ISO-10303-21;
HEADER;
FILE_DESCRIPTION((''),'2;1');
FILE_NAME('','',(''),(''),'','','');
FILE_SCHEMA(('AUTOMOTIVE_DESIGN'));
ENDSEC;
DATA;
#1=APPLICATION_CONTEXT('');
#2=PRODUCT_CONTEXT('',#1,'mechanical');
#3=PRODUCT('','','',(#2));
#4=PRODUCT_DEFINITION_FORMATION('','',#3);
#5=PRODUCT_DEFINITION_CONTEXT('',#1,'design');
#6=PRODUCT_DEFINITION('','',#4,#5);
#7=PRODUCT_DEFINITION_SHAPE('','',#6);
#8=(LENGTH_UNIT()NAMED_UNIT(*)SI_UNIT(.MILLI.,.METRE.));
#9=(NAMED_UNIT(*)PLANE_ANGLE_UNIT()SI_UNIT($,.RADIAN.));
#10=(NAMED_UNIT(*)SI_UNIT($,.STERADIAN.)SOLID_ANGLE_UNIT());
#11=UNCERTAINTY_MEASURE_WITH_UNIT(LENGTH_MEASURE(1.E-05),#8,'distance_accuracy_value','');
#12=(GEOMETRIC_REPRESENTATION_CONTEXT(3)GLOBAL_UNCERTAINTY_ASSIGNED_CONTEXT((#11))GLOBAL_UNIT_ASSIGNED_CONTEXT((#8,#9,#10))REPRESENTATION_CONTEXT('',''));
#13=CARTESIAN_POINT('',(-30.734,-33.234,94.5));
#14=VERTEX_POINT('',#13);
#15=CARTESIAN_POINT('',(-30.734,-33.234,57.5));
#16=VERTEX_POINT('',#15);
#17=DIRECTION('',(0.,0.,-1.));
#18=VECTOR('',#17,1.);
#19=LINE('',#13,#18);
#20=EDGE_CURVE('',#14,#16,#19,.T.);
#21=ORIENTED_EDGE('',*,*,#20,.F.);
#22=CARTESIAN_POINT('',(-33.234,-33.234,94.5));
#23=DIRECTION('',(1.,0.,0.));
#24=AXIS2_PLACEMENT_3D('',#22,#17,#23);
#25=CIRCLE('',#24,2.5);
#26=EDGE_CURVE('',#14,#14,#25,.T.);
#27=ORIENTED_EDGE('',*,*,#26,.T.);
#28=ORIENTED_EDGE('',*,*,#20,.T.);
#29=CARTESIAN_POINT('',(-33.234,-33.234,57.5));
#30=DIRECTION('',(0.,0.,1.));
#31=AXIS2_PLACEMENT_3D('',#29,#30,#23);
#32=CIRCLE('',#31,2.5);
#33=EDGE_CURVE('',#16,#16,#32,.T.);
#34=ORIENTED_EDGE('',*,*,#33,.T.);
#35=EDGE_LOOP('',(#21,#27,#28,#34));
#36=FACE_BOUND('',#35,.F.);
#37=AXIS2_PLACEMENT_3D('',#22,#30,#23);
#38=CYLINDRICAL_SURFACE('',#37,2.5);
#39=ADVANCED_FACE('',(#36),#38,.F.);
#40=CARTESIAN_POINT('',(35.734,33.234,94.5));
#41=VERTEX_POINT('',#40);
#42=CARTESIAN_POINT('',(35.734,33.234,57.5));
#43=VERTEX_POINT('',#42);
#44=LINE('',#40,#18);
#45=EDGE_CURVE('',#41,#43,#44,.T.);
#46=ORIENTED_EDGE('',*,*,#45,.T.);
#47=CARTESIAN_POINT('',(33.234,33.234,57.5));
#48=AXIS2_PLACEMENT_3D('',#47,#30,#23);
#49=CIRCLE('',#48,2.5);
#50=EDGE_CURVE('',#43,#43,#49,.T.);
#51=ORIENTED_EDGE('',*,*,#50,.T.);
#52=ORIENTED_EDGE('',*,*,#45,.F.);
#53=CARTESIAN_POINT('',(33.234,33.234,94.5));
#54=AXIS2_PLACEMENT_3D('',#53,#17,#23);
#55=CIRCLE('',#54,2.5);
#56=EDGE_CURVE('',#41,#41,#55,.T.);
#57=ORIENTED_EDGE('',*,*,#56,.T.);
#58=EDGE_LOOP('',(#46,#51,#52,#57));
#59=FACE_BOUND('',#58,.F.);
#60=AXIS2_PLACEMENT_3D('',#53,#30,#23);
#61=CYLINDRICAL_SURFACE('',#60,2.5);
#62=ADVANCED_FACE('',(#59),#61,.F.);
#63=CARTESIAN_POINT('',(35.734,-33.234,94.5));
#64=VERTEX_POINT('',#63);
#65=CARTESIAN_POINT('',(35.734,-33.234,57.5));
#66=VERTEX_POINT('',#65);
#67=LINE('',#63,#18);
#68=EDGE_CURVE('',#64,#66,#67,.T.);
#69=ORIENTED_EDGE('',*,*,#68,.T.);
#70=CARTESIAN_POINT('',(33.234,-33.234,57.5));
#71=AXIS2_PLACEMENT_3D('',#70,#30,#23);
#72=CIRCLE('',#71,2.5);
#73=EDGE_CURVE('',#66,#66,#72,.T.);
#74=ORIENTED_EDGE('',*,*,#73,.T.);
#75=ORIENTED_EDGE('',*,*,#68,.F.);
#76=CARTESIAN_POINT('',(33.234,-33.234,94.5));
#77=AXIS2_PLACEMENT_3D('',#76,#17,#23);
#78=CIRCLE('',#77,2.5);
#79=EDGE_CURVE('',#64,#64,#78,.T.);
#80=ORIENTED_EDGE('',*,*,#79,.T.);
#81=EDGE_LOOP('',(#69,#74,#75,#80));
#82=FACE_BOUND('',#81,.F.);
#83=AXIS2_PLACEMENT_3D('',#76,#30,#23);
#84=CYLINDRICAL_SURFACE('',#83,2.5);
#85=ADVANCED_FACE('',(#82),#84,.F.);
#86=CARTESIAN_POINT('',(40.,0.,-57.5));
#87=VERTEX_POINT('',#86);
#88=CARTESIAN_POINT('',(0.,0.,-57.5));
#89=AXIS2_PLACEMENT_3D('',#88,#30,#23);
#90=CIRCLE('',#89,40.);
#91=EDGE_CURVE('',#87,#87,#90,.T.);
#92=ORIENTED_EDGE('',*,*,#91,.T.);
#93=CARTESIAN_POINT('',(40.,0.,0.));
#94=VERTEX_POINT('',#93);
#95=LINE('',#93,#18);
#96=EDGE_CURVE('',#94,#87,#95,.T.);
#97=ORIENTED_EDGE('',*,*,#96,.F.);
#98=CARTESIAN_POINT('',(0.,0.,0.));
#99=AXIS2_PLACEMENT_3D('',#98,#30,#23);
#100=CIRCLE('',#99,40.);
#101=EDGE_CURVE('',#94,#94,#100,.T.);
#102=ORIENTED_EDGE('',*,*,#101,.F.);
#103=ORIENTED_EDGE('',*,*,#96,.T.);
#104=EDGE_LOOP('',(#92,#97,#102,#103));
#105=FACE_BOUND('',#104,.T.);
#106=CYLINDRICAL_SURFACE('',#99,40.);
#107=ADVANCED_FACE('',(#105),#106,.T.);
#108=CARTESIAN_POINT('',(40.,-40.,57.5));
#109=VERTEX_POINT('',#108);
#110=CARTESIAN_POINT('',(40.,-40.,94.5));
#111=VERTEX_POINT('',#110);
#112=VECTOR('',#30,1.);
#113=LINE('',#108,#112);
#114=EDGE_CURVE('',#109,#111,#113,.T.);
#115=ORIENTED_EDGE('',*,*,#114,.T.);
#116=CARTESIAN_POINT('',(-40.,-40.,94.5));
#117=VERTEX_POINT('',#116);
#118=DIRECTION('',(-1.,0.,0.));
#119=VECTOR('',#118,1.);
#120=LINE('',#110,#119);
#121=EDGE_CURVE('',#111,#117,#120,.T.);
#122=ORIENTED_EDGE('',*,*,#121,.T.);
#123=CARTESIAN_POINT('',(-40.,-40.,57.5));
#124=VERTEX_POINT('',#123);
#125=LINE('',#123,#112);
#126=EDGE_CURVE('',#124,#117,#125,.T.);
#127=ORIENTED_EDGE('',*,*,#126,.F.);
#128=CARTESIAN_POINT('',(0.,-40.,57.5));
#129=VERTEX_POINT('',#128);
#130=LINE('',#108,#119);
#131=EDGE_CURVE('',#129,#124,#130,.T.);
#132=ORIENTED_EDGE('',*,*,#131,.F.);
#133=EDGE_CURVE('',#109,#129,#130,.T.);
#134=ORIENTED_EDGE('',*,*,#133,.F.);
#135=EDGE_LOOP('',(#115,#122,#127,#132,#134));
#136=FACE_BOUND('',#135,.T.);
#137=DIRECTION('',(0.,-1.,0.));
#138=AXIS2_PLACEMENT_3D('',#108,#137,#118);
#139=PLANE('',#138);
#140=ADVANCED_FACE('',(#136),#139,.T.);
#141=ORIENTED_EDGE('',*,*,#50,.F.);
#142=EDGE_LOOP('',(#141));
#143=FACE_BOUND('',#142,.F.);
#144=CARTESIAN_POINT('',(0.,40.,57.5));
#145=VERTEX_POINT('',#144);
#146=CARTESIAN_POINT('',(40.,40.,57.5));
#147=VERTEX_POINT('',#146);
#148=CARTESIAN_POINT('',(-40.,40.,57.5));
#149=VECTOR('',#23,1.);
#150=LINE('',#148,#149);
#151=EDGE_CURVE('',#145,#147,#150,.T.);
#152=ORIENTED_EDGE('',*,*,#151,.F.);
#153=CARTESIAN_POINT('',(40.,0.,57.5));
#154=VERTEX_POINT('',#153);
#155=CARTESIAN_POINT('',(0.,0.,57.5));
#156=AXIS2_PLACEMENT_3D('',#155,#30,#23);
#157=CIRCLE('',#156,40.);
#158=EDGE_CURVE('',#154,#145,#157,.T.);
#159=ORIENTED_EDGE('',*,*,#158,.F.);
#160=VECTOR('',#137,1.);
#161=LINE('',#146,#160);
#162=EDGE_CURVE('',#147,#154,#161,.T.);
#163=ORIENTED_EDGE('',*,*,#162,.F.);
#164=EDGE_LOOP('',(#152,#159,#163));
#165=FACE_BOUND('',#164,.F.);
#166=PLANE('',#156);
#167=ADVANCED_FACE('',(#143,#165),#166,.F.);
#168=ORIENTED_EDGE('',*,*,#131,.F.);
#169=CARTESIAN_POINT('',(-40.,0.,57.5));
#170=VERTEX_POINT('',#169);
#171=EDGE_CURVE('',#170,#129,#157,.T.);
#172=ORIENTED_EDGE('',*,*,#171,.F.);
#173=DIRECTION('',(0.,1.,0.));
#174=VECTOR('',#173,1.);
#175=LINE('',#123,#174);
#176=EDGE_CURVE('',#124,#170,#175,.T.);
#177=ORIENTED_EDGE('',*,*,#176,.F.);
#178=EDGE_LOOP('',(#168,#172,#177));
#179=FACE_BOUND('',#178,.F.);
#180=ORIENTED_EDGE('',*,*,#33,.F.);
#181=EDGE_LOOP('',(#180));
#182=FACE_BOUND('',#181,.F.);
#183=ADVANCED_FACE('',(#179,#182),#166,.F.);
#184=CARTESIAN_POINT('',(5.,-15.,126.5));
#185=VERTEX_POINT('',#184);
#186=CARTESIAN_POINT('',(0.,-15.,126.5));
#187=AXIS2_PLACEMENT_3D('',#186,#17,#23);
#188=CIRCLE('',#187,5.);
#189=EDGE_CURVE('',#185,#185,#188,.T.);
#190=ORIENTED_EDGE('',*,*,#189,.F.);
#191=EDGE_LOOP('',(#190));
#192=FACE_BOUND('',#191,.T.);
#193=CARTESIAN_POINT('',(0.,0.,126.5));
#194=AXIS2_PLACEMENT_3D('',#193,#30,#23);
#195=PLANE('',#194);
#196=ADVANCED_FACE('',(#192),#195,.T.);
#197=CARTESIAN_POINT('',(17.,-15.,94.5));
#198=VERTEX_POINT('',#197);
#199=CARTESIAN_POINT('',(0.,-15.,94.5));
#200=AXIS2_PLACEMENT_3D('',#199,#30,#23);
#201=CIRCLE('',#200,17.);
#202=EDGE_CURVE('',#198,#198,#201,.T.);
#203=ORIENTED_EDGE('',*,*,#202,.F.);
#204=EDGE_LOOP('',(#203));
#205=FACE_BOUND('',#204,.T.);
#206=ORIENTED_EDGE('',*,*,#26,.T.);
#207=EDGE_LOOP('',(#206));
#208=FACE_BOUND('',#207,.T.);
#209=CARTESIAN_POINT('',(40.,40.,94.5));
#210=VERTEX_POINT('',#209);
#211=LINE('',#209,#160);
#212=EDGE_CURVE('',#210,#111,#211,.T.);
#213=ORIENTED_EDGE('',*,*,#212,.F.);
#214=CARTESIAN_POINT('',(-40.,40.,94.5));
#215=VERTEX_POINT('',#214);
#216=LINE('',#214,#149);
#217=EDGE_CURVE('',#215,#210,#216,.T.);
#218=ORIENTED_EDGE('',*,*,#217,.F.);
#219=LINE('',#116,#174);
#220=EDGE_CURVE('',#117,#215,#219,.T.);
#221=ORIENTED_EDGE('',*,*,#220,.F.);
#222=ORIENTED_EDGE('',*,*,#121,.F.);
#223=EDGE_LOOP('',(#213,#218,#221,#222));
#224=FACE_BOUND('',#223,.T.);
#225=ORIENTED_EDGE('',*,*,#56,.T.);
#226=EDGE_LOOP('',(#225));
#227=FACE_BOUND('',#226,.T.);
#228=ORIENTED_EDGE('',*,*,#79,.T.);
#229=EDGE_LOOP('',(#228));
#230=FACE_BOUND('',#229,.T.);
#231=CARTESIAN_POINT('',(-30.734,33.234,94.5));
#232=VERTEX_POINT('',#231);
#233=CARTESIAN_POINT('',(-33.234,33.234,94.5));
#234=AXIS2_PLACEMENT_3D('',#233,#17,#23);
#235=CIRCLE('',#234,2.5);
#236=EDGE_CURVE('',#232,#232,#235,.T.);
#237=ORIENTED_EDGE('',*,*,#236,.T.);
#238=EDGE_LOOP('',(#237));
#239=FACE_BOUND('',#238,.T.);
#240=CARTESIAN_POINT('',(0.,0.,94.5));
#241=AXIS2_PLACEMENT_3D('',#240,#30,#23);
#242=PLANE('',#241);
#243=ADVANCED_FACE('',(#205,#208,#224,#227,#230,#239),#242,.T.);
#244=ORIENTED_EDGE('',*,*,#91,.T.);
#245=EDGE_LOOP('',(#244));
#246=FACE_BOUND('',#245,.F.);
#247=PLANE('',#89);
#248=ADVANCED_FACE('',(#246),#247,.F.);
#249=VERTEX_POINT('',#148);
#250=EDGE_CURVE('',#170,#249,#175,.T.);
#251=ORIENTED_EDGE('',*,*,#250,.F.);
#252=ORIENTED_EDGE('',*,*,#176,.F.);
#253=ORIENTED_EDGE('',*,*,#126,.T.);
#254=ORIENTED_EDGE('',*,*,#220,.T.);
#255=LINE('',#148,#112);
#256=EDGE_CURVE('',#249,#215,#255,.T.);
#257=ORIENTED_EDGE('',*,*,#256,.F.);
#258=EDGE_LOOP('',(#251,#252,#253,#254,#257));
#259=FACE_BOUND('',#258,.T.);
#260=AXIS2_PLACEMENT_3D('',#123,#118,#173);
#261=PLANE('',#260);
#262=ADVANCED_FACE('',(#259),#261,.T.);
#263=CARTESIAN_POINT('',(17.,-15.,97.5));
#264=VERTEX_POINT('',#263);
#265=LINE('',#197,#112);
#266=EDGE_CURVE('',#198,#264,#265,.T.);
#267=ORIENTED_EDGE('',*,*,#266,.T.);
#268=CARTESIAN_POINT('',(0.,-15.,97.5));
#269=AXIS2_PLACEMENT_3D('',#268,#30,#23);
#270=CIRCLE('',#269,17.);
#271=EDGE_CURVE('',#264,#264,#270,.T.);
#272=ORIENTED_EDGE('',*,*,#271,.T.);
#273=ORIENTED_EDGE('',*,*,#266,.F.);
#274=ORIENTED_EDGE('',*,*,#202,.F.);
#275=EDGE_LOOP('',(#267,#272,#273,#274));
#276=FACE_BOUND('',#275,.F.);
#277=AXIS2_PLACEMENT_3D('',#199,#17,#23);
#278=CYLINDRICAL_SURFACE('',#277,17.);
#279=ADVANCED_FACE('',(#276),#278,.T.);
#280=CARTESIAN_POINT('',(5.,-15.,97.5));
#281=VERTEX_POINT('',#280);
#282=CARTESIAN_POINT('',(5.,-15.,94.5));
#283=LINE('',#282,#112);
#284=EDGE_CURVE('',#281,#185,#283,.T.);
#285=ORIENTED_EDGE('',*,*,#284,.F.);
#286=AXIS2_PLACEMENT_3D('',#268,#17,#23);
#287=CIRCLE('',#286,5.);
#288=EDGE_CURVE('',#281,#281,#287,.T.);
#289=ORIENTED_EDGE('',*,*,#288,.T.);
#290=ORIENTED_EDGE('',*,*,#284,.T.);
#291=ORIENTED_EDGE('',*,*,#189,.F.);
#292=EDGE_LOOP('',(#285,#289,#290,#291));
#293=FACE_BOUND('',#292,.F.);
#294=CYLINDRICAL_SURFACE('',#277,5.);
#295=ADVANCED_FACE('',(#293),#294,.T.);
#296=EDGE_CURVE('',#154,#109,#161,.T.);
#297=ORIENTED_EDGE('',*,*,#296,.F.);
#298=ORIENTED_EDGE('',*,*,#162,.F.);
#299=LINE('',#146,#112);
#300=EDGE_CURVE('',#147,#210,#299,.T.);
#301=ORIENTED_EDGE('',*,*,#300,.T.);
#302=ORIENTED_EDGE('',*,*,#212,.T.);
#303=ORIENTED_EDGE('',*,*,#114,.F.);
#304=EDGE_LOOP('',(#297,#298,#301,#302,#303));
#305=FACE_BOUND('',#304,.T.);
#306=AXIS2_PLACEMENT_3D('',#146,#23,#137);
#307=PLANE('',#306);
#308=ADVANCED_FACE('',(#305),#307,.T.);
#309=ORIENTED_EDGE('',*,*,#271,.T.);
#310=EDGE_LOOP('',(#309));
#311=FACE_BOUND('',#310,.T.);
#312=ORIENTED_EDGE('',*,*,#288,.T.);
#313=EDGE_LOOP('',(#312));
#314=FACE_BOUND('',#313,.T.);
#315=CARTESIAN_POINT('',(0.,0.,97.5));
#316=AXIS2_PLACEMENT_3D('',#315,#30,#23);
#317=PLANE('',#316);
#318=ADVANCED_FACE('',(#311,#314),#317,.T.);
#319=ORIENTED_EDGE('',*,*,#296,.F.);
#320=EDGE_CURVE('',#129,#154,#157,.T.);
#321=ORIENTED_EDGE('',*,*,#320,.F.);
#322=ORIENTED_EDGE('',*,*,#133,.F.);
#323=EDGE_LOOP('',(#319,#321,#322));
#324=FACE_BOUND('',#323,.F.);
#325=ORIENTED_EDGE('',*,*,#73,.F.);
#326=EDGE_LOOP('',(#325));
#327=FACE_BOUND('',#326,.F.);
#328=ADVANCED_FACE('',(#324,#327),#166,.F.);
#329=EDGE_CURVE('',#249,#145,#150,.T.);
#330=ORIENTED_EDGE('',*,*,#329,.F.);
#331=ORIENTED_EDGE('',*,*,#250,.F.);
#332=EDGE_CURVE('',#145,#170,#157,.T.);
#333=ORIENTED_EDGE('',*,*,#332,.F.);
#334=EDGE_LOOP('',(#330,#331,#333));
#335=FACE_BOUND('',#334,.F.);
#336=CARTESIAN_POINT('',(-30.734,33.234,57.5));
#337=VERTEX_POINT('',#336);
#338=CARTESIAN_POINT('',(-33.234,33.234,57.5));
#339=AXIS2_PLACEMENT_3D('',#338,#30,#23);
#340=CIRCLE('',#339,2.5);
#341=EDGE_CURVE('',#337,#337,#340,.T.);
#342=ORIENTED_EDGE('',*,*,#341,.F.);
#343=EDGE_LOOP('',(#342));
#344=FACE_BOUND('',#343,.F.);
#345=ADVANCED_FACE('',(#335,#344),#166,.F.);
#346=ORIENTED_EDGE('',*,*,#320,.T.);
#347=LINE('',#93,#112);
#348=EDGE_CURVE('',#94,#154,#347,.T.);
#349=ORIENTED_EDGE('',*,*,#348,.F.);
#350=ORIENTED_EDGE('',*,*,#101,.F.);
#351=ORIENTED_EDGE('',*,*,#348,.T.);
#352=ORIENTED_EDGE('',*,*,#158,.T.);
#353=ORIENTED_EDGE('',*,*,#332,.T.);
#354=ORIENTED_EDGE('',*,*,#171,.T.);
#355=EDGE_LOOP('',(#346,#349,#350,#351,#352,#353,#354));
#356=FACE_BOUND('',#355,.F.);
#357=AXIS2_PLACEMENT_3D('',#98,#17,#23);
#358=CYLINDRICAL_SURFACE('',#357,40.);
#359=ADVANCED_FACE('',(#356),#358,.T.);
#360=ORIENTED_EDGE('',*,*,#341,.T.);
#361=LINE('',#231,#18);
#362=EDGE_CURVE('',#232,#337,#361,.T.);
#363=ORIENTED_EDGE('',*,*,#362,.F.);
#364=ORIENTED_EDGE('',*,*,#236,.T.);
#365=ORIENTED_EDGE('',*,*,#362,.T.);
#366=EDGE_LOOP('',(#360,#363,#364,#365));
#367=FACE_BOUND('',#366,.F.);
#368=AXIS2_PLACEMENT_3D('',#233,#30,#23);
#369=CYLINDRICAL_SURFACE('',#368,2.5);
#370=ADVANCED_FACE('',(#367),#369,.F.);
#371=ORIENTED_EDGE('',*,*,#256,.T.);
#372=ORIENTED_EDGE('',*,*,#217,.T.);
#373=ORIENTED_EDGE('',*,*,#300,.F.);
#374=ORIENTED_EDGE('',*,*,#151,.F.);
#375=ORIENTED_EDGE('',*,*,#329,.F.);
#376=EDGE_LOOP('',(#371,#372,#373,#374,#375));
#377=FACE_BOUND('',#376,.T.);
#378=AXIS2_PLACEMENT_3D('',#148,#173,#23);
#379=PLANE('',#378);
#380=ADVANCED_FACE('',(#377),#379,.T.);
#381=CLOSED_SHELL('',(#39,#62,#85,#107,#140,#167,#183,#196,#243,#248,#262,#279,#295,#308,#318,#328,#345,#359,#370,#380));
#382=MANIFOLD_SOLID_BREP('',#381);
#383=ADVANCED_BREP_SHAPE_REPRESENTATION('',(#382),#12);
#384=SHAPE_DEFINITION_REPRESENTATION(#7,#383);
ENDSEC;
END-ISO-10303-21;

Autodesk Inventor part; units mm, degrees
ref_plane "YZ Plane" through (0, 0, 0) normal (1, 0, 0) x (0, 1, 0)
ref_plane "XZ Plane" through (0, 0, 0) normal (0, 1, 0) x (-1, 0, 0)
ref_plane "XY Plane" through (0, 0, 0) normal (0, 0, 1) x (1, 0, 0)
sketch "Sketch1" plane through (0, 0, 0) normal (0, 0, 1) x (1, 0, 0)
  circle A0 centre (0, 0) radius 40
  dimension "d0" = 80
extrude "Extrusion1" add sketch "Sketch1" along normal mid plane 115
sketch "Sketch3" plane through (0, 0, 57.5) normal (0, 0, 1) x (1, 0, 0)
  line L0 (-40, 40) -> (40, 40)
  line L1 (40, 40) -> (40, -40)
  line L2 (40, -40) -> (-40, -40)
  line L3 (-40, -40) -> (-40, 40)
  line L4 (-40, 40) -> (40, -40) construction
  line L5 (40, 40) -> (-40, -40) construction
  point P0 (0, 0)
  dimension "d9" = 80
  dimension "d10" = 80
extrude "Extrusion3" add sketch "Sketch3" along normal blind 37
sketch "Sketch4" plane through (0, 0, 94.5) normal (0, 0, 1) x (1, 0, 0)
  line L0 (0, 0) -> (0, -15)
  circle A0 centre (0, -15) radius 5
  dimension "d11" = 15
  dimension "d12" = 10
extrude "Extrusion4" add sketch "Sketch4" along normal blind 32
sketch "Sketch5" plane through (0, 0, 94.5) normal (0, 0, 1) x (1, 0, 0)
  circle A0 centre (0, -15) radius 17
  point P0 (0, 0)
  dimension "d15" = 34
extrude "Extrusion5" add sketch "Sketch5" along normal blind 3
sketch "Sketch6" plane through (0, 0, 94.5) normal (0, 0, 1) x (1, 0, 0)
  circle A0 centre (0, 0) radius 47
  line L0 (40, 0) -> (40, 40) projected
  line L1 (-40, 0) -> (-40, -40) projected
  line L2 (40, 40) -> (-40, -40)
  line L3 (-40, -40) -> (-40, 40)
  line L4 (40, -40) -> (40, 40) projected
  line L5 (-40, 40) -> (40, -40)
  circle A1 centre (33.234, 33.234) radius 2.5
  circle A2 centre (-33.234, 33.234) radius 2.5
  circle A3 centre (-33.234, -33.234) radius 2.5
  circle A4 centre (33.234, -33.234) radius 2.5
  dimension "d18" = 94
  dimension "d19" = 5
  dimension "d22" = 360
extrude "Extrusion6" cut sketch "Sketch6" against normal blind 40 contours A1 L2 A0 | A0 L2 A1 | A4 L5 A0 | A0 L5 A4 | L2 A1 A0 | A0 A1 L2 | L5 A4 A0 | A0 A4 L5 | A2 L5 A0 | A0 L5 A2 | A3 A0 L2 | L2 A0 A3 | A2 A0 L5 | A3 L2 A0 | A0 A2 L5 | L2 A3 A0
properties part number "MOTOR DC"
